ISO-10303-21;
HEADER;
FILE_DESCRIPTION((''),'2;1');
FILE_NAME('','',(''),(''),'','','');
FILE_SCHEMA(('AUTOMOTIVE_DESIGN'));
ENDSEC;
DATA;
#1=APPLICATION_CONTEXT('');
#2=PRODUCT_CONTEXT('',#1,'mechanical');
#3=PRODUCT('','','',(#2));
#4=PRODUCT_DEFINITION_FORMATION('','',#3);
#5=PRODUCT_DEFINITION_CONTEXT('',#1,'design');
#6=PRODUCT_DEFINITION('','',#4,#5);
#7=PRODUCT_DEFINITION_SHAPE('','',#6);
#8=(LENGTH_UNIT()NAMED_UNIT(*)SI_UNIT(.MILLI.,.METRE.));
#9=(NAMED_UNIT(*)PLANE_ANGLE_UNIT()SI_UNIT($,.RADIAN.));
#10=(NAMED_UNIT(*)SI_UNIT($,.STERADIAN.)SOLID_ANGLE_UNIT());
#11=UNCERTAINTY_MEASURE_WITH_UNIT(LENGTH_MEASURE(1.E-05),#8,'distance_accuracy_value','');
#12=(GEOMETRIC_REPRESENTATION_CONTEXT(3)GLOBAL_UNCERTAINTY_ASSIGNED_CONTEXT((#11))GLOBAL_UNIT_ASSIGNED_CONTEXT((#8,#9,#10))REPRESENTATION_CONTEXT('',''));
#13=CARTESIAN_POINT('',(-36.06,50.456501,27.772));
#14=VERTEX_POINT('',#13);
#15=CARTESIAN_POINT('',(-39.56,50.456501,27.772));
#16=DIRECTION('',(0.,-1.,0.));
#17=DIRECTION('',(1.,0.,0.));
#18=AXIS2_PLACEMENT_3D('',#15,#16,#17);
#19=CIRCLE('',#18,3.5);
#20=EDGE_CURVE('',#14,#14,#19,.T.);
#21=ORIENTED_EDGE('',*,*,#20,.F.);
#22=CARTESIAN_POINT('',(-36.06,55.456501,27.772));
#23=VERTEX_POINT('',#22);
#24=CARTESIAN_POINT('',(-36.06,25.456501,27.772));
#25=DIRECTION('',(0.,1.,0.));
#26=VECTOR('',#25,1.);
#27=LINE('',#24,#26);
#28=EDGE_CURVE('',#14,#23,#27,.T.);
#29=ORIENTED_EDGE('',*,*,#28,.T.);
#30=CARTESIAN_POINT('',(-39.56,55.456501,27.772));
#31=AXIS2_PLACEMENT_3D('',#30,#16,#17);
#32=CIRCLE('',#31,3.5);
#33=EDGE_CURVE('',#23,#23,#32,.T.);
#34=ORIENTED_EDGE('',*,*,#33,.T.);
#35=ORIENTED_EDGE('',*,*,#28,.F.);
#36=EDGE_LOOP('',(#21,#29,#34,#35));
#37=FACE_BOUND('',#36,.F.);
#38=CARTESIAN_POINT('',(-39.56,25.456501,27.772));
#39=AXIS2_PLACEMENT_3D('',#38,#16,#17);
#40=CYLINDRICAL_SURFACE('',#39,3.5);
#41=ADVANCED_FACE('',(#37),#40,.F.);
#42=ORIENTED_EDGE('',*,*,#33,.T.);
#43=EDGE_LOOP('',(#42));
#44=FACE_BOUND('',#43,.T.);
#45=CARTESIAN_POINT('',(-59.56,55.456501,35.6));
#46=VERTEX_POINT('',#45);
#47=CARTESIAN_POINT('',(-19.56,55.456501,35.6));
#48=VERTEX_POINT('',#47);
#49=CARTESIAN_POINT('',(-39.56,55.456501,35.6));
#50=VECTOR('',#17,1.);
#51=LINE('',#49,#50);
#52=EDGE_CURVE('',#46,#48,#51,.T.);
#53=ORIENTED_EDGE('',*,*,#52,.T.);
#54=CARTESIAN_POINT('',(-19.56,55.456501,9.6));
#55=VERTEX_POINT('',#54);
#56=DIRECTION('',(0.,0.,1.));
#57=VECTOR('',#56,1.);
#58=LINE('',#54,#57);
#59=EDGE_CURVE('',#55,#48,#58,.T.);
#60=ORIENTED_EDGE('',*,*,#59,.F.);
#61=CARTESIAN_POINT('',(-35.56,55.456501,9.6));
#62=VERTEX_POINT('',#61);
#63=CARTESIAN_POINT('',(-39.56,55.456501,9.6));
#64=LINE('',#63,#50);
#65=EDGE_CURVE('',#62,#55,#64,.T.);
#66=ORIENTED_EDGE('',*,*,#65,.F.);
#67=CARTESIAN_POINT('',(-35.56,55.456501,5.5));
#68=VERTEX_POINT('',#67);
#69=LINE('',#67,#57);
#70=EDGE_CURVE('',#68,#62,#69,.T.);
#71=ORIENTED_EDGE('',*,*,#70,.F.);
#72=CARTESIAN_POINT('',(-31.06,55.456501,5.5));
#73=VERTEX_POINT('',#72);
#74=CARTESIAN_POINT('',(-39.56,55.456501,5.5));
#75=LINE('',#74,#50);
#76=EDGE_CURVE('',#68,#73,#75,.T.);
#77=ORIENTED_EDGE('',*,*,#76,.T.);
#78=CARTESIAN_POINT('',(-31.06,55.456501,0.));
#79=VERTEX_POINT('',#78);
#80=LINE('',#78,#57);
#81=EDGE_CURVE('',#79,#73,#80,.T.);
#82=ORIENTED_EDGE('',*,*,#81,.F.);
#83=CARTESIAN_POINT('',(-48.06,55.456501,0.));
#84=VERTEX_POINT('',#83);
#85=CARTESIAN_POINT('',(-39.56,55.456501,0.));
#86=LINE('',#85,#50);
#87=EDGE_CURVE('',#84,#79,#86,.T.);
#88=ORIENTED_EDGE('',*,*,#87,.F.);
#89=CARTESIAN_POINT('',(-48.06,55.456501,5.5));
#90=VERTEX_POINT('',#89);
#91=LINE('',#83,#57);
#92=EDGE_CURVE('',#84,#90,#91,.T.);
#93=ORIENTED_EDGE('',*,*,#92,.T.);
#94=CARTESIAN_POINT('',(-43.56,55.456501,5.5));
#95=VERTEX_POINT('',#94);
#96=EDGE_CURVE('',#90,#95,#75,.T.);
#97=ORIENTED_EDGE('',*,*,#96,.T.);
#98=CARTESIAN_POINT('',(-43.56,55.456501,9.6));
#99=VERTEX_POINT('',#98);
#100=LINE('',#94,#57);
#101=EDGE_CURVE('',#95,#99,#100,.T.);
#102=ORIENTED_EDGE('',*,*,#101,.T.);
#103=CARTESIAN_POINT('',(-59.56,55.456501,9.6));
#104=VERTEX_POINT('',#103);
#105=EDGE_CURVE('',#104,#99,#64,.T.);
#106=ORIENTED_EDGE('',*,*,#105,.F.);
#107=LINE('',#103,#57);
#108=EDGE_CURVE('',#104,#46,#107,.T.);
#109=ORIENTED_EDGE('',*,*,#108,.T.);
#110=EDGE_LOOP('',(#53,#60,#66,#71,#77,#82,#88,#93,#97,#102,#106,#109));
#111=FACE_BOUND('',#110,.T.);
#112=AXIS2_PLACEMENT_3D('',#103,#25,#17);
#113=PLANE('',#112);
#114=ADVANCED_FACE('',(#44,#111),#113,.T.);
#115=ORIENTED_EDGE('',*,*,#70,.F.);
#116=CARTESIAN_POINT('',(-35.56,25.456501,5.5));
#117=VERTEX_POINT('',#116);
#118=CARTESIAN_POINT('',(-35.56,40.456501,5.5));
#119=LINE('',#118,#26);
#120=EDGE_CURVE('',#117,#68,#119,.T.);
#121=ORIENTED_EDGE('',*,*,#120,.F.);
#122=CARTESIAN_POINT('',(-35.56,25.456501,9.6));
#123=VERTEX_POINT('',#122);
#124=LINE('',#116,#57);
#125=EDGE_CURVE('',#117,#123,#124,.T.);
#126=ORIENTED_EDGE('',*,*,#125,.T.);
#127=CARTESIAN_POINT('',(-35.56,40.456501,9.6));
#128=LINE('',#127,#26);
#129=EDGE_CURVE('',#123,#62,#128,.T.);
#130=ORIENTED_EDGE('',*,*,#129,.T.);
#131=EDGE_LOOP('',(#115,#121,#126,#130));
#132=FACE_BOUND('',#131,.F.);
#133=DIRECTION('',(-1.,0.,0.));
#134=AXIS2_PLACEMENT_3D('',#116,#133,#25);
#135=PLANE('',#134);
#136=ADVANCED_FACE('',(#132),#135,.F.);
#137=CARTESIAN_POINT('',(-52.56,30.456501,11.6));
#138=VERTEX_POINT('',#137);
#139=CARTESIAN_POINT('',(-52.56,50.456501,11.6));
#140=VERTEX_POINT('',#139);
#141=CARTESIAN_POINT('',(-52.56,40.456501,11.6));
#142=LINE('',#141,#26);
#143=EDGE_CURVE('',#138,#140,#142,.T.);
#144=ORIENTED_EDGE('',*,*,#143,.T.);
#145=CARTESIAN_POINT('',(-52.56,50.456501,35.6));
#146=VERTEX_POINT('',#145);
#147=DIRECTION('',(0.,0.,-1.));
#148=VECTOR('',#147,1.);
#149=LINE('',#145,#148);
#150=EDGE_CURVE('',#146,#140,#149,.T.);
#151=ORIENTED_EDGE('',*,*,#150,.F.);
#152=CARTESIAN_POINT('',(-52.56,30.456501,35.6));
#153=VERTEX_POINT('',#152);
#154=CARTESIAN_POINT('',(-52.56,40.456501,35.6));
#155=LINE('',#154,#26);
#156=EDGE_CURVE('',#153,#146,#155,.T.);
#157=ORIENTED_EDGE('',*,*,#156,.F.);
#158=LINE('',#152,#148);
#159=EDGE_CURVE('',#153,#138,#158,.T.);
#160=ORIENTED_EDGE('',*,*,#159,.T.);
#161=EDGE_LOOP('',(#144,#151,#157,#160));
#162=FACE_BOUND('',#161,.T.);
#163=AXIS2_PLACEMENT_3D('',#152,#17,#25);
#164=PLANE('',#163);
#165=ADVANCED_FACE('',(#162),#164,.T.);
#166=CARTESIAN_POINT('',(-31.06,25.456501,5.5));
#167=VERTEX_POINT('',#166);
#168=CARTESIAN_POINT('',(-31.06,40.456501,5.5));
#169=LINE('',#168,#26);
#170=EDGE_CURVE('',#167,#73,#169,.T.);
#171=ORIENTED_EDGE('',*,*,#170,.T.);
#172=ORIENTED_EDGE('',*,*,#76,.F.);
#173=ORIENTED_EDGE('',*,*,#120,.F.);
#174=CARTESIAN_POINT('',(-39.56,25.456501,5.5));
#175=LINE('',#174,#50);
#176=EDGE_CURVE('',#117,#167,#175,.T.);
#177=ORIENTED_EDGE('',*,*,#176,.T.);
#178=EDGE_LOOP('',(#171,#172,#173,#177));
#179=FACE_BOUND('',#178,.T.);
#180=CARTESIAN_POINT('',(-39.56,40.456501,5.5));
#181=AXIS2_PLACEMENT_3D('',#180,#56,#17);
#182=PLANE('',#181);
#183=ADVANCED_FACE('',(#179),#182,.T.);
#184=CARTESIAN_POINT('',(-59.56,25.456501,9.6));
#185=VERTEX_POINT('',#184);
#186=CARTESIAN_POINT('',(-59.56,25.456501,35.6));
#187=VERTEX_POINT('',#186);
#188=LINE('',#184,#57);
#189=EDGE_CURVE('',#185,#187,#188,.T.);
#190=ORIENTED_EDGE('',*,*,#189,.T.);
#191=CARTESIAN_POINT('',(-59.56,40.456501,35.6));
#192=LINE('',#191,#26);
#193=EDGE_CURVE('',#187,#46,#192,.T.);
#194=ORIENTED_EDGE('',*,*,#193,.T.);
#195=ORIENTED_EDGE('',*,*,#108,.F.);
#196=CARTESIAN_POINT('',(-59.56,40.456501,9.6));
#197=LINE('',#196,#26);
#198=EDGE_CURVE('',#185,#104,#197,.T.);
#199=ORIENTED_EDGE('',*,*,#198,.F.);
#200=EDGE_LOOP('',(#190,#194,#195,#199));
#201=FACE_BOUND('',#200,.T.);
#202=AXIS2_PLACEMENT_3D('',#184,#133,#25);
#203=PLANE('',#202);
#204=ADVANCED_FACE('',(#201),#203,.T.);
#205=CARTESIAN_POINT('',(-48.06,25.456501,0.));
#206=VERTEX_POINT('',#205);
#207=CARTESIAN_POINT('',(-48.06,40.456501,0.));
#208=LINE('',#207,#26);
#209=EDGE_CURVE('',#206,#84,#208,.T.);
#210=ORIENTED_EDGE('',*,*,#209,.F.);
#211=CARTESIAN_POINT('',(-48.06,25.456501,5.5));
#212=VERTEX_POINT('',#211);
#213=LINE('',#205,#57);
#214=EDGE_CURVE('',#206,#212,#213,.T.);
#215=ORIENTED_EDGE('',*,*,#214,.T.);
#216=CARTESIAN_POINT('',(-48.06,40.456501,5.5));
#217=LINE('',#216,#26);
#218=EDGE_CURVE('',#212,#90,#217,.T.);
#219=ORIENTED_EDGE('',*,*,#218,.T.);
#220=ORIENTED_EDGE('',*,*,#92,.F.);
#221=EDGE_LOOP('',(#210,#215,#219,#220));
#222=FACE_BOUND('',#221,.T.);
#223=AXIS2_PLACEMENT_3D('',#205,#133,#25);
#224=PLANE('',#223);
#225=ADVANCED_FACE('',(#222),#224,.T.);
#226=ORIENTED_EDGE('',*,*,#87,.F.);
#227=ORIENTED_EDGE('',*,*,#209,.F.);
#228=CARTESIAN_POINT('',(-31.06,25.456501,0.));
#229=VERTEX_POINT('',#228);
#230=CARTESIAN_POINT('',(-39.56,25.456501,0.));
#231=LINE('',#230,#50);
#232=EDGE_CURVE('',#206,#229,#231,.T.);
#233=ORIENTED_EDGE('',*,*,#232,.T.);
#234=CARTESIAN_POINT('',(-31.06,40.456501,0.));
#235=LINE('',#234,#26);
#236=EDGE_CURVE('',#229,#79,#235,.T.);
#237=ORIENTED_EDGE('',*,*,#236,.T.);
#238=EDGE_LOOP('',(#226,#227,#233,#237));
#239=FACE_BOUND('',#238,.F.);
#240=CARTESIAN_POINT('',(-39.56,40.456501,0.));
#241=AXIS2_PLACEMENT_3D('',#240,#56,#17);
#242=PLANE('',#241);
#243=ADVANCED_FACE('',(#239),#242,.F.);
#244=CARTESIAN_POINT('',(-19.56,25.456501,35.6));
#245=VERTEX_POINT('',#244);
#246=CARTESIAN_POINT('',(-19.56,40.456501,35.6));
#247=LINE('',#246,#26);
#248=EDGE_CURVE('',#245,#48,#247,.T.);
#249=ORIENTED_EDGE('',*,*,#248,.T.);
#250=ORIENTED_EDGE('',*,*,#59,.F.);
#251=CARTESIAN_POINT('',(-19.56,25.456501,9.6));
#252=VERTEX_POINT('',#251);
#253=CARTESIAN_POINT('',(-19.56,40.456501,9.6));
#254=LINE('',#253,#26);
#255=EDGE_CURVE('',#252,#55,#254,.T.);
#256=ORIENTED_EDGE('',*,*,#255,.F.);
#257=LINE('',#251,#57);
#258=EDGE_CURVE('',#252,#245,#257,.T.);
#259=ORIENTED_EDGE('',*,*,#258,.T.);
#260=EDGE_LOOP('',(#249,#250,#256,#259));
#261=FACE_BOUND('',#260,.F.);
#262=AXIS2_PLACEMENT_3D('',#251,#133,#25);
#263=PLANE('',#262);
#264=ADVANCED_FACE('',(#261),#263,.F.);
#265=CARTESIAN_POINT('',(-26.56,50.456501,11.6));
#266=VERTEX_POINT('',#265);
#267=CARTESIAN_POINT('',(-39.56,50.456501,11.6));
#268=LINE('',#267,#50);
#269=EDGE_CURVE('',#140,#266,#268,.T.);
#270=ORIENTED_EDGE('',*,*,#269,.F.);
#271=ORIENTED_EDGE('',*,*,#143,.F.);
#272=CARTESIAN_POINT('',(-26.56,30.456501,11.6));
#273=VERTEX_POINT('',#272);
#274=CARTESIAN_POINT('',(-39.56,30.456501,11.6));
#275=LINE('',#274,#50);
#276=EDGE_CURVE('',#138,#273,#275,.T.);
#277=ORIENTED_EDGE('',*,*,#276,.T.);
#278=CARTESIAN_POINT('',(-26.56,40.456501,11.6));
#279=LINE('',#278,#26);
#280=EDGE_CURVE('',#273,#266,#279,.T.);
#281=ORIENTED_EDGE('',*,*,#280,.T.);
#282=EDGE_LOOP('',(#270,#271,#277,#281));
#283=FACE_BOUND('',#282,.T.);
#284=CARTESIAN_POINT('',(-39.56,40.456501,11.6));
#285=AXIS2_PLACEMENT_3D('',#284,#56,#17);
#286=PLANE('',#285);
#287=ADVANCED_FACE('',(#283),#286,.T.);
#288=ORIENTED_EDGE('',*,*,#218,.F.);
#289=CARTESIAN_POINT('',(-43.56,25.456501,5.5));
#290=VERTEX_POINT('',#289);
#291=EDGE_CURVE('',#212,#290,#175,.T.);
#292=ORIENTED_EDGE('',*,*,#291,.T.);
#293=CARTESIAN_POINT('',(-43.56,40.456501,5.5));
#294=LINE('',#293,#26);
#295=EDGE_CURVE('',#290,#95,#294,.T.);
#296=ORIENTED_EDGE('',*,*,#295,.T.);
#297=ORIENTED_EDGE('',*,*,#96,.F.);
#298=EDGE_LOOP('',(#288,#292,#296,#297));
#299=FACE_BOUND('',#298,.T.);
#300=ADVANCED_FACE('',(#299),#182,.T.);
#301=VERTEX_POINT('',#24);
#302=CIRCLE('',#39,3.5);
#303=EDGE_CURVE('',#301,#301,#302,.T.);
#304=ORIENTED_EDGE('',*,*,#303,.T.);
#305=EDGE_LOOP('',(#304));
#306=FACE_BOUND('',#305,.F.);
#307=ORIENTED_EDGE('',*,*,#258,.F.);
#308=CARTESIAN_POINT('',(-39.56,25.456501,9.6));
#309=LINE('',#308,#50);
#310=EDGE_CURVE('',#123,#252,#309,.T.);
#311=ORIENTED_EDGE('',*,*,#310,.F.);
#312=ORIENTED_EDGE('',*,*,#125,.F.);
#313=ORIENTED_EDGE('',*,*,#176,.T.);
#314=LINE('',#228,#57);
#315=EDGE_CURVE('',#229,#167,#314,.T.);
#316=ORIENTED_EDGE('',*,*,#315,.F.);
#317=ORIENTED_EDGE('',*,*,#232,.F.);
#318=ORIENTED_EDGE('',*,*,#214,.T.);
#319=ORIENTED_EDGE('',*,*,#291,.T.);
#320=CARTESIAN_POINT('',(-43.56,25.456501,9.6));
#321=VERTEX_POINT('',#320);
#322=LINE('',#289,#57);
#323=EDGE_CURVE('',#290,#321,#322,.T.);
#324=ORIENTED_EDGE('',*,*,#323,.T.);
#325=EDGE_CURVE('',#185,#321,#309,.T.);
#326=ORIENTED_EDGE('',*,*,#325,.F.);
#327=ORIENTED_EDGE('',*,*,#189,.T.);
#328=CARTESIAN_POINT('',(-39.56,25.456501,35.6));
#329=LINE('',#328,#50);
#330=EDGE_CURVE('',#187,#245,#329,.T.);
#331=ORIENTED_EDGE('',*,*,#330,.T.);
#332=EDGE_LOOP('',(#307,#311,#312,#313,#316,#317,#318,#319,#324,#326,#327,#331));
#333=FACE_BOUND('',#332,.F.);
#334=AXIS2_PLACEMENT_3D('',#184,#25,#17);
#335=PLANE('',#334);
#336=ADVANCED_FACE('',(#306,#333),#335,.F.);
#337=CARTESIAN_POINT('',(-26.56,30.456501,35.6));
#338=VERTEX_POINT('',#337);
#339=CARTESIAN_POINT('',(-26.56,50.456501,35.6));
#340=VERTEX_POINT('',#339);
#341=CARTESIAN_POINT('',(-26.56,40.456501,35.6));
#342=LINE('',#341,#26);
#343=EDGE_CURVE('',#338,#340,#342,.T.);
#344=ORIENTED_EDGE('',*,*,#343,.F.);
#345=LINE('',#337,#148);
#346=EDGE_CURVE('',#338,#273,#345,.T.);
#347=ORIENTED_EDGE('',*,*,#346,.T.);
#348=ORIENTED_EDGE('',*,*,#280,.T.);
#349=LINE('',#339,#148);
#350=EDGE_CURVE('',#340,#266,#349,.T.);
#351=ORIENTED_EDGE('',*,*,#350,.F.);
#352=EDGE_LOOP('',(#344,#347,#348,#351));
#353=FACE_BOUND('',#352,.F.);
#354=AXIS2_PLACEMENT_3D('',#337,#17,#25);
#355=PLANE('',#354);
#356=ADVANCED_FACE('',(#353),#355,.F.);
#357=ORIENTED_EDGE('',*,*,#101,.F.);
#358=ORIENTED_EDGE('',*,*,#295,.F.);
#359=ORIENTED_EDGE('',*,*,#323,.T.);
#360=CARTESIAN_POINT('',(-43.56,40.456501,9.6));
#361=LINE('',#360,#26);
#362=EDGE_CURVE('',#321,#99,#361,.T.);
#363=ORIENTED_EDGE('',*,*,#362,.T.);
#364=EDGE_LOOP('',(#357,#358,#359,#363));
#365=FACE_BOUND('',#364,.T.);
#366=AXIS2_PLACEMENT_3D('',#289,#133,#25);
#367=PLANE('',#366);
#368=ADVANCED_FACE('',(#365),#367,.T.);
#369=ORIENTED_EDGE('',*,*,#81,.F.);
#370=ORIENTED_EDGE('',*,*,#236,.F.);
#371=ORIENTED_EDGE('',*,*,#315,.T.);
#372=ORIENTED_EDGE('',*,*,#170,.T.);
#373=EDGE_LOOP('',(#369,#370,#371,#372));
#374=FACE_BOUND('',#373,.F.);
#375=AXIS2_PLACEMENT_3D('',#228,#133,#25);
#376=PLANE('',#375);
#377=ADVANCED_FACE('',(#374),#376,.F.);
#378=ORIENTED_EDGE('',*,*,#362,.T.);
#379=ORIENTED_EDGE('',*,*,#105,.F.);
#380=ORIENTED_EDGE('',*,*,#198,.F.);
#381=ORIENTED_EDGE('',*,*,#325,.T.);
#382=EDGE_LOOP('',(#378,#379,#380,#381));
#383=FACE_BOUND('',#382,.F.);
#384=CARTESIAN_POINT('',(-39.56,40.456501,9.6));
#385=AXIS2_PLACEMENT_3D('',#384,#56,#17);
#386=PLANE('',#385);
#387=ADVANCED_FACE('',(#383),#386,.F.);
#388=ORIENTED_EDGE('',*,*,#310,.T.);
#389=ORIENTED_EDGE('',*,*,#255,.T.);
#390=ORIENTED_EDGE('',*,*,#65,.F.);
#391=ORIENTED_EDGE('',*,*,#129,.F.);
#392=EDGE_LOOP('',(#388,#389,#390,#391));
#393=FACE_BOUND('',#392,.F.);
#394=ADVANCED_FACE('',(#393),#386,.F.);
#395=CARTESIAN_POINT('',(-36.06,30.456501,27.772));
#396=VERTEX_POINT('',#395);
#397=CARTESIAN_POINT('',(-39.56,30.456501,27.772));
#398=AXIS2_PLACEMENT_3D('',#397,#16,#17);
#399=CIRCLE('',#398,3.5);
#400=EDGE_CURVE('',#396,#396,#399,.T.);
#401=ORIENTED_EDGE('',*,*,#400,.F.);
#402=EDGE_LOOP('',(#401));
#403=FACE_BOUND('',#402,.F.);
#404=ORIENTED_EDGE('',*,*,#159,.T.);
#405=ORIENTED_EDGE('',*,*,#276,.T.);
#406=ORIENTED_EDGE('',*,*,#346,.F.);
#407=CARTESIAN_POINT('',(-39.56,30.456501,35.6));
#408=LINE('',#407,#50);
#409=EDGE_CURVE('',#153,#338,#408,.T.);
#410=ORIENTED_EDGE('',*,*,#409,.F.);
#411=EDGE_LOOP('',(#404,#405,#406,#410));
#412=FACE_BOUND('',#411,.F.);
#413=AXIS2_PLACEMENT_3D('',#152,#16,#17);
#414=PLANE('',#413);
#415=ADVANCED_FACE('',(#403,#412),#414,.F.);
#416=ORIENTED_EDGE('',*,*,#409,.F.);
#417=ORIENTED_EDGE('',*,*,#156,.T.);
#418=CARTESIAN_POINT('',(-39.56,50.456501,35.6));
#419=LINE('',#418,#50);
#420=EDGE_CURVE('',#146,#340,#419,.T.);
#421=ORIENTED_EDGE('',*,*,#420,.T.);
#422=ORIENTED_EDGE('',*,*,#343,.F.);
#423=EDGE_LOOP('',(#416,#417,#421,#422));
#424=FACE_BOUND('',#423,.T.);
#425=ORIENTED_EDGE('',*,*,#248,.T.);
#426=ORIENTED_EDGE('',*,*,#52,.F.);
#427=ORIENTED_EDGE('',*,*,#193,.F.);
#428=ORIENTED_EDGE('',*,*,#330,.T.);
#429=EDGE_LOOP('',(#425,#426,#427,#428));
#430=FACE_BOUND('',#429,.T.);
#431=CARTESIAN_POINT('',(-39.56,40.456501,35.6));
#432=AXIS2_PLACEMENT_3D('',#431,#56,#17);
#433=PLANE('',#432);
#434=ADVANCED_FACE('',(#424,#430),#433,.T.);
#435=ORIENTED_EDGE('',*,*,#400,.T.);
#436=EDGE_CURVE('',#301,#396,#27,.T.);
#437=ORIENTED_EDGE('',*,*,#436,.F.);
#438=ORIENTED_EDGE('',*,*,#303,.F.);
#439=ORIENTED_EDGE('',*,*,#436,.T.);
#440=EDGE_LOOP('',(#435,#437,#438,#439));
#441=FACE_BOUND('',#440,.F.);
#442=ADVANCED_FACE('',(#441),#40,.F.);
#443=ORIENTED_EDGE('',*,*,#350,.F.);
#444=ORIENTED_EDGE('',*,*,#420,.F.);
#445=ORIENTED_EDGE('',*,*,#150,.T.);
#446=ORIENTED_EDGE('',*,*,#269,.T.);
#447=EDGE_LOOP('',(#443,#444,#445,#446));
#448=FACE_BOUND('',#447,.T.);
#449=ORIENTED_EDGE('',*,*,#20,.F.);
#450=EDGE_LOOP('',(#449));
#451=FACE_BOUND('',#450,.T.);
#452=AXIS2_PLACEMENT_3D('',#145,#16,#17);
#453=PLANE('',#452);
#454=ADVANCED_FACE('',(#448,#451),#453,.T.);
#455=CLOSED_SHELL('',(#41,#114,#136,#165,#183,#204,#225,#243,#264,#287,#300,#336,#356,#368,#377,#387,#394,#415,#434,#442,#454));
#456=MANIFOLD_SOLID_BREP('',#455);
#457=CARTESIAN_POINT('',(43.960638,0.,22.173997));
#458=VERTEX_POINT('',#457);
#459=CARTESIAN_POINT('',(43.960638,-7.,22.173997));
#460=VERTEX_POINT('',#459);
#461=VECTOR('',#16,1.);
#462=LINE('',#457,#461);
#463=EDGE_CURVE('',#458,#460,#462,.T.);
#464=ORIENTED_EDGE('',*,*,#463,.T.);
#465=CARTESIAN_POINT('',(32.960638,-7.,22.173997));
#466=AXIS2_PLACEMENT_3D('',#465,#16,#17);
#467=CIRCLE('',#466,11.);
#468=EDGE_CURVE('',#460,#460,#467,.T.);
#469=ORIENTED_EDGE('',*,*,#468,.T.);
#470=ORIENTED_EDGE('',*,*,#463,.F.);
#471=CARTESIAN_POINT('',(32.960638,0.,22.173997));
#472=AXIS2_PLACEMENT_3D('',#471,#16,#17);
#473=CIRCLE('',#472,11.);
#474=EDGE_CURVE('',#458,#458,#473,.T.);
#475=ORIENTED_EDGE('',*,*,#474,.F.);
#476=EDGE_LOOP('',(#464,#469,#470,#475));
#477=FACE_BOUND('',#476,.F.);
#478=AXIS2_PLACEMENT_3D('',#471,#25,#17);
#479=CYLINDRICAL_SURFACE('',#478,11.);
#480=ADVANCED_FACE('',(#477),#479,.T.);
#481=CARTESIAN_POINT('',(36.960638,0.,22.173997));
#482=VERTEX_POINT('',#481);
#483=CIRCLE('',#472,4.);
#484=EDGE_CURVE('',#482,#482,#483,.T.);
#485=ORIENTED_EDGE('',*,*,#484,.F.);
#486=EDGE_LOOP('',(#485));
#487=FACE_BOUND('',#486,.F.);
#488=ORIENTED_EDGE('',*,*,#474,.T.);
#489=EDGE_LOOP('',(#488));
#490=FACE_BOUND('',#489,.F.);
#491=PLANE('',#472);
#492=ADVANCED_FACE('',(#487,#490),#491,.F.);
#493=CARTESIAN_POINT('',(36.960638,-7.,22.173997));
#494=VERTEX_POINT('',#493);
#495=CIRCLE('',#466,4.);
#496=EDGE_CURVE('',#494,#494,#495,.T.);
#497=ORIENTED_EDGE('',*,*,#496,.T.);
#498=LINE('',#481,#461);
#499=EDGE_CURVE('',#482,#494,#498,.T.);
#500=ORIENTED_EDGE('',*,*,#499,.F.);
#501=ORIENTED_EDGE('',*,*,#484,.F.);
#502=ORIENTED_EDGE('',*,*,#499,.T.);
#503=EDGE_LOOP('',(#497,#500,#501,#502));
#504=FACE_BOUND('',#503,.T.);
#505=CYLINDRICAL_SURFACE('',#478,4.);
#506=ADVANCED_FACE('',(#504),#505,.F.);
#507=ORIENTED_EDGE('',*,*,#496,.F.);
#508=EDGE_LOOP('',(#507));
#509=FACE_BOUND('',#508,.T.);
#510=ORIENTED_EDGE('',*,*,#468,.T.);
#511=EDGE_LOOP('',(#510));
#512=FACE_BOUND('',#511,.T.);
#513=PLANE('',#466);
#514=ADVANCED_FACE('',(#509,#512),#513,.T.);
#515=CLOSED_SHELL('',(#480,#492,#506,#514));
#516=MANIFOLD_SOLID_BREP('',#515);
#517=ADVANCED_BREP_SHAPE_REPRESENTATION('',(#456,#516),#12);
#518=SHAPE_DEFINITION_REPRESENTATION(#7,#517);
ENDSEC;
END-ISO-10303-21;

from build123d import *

# Parameters (mm, degrees)
F0_W      = 17
F0_H      = 30
F1_DEPTH  = 5.5
F2_W      = 8
F2_H      = 30
F3_DEPTH  = 4.1
F4_W      = 40
F4_H      = 30
F5_DEPTH  = 26
F6_W      = 26
F6_H      = 20
F7_DEPTH  = 24
F8_R      = 3.5
F9_DEPTH  = 30.001
F10_R     = 11
F10_R_2   = 4
F11_DEPTH = 7


with BuildPart() as f1:
    # F0 (on Top) → F1 (new body)
    with BuildSketch(Plane.XY):
        with Locations((-39.56, 40.456501)):
            Rectangle(F0_W, F0_H)
    extrude(amount=F1_DEPTH)

    # F2 (on face) → F3 (join)
    with BuildSketch(Plane.XY.offset(5.5)):
        with Locations((-39.56, 40.456501)):
            Rectangle(F2_W, F2_H)
    extrude(amount=F3_DEPTH)

    # F4 (on face) → F5 (join)
    with BuildSketch(Plane.XY.offset(9.6)):
        with Locations((-39.56, 40.456501)):
            Rectangle(F4_W, F4_H)
    extrude(amount=F5_DEPTH)

    # F6 (on face) → F7 (cut)
    with BuildSketch(Plane.XY.offset(35.6)):
        with Locations((-39.56, 40.456501)):
            Rectangle(F6_W, F6_H)
    extrude(amount=-F7_DEPTH, mode=Mode.SUBTRACT)

    # F8 (on face) → F9 (cut, through all)
    with BuildSketch(Plane.XZ.offset(-25.456501)):
        with Locations((-39.56, 27.772)):
            Circle(F8_R)
    extrude(amount=-F9_DEPTH, mode=Mode.SUBTRACT)


with BuildPart() as f11:
    # F10 (on Front) → F11 (new body)
    with BuildSketch(Plane.XZ):
        with Locations((32.960638, 22.173997)):
            Circle(F10_R)
        with Locations((32.960638, 22.173997)):
            Circle(F10_R_2, mode=Mode.SUBTRACT)
    extrude(amount=F11_DEPTH)


solid = Compound([f1.part, f11.part])
